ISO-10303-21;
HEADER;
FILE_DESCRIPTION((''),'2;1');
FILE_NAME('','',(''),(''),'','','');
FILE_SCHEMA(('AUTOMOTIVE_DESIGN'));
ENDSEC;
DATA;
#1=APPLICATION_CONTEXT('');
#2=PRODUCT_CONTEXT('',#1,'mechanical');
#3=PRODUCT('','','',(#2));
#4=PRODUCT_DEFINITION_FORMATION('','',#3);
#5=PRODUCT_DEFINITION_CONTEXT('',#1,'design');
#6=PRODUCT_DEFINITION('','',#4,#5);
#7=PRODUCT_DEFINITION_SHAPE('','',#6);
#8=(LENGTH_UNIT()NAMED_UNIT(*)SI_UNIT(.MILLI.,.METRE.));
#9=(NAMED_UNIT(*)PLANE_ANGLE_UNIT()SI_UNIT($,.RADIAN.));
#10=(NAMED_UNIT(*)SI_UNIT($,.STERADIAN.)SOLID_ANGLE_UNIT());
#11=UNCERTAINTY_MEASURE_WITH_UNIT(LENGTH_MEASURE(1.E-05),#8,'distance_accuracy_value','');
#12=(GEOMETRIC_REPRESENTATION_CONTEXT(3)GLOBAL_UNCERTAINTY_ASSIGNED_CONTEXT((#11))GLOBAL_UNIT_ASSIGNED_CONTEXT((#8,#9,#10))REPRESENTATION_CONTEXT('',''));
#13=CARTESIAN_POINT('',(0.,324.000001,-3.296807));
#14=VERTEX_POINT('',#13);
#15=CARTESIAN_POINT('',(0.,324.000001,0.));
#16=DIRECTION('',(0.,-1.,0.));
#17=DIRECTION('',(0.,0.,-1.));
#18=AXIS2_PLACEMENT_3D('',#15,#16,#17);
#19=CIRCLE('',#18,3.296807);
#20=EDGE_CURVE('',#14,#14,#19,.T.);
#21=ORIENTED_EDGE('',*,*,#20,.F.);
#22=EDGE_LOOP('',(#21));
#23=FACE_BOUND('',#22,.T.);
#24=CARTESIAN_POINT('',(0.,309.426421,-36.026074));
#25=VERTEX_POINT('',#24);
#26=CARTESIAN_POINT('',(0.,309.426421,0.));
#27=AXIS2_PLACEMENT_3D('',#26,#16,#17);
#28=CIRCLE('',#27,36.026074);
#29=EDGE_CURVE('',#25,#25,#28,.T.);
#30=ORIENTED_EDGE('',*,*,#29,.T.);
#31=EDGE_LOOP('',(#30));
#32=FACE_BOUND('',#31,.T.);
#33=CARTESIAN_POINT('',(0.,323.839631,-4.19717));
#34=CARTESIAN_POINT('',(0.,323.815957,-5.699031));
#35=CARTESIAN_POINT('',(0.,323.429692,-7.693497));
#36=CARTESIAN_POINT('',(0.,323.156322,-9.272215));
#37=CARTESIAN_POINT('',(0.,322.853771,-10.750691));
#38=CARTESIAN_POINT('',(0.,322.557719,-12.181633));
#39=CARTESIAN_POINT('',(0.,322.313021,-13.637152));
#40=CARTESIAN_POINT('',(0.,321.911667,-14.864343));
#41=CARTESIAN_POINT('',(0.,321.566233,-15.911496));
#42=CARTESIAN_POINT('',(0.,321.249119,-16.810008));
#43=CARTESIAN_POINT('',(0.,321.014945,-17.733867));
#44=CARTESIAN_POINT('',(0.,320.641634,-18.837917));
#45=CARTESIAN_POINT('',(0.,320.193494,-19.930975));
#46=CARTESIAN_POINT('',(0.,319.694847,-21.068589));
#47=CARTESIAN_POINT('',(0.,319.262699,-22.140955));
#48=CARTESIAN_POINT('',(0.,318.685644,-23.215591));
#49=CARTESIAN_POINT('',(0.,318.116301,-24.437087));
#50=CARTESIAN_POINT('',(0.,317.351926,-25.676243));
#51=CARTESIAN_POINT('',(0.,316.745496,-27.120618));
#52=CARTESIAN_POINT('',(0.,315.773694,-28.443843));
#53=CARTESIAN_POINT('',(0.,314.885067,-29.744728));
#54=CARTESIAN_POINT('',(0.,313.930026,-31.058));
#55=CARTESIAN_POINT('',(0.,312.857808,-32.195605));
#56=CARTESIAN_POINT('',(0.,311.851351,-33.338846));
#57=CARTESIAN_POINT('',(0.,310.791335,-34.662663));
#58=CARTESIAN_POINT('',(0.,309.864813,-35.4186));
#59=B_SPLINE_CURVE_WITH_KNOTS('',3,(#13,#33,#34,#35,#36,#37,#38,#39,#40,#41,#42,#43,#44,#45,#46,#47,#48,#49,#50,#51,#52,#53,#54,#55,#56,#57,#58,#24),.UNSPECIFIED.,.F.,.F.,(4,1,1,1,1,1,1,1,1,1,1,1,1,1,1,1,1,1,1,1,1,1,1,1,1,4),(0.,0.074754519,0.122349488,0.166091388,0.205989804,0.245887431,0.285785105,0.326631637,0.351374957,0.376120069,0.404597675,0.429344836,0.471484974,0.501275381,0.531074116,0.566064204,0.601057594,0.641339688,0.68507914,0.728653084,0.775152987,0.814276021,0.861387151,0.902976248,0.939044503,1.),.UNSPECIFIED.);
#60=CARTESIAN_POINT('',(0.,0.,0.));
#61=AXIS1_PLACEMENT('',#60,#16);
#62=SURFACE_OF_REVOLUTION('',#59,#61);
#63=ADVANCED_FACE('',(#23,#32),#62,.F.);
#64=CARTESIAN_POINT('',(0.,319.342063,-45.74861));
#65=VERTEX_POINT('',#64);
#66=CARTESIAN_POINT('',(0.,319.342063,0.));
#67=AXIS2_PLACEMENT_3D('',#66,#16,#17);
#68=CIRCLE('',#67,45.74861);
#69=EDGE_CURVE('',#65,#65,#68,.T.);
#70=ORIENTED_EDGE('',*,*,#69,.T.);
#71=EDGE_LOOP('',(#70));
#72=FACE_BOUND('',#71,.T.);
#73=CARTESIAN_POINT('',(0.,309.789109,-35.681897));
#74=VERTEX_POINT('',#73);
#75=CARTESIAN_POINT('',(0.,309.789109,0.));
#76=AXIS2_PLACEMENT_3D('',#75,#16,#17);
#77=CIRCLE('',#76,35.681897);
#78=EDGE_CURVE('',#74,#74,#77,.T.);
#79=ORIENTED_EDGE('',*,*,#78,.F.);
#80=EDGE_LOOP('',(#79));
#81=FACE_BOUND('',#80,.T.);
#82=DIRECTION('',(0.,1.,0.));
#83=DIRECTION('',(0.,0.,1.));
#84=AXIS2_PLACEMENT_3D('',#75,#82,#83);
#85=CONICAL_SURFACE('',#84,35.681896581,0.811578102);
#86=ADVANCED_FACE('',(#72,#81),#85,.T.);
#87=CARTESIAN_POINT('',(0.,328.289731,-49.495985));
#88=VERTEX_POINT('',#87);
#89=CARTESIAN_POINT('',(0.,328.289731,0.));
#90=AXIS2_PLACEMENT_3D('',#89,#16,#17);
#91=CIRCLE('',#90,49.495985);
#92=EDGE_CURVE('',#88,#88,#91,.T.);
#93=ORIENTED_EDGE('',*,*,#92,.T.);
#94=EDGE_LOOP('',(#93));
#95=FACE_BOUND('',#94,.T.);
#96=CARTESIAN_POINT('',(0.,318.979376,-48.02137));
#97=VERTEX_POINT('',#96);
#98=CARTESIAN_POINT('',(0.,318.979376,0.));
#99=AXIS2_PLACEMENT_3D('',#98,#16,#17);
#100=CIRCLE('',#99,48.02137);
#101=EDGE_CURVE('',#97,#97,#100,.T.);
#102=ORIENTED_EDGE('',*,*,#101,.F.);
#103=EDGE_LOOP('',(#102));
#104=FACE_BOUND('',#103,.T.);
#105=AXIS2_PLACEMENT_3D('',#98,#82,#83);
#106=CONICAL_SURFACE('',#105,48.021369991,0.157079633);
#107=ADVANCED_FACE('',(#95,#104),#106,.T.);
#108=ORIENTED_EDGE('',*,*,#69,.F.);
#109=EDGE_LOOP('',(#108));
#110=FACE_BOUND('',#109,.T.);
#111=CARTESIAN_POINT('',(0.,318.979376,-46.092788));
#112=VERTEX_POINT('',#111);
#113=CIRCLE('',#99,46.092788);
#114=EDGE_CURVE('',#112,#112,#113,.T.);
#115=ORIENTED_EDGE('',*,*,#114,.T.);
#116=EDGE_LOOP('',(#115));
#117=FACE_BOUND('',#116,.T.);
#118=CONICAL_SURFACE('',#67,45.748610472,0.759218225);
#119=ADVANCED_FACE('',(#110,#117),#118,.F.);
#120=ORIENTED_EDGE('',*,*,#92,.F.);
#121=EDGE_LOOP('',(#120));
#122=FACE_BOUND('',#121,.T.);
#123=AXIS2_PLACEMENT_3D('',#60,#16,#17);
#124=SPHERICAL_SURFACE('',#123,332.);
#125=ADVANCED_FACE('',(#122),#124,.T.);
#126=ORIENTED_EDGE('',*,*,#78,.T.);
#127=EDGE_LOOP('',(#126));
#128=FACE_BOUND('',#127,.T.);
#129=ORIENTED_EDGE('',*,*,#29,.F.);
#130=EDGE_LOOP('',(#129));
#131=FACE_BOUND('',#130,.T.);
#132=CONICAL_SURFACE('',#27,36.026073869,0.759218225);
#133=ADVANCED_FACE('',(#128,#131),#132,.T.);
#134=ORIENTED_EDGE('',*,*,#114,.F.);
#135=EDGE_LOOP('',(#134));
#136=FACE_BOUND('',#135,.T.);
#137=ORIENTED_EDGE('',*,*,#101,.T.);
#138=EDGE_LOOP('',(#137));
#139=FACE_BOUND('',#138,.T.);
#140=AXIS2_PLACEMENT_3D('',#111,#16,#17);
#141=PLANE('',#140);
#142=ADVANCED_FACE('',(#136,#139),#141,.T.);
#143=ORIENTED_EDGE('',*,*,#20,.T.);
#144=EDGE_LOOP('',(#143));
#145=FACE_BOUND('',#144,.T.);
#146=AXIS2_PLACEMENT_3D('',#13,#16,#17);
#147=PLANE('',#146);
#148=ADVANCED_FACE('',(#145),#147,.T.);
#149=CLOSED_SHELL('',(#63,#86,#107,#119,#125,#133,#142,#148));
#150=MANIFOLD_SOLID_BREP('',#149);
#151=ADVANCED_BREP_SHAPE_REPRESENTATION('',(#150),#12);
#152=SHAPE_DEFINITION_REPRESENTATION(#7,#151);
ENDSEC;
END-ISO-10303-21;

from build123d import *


with BuildPart() as part:
    # gel → Revolve10 (revolve)
    with BuildSketch(Plane(origin=(0, 0, 0), x_dir=(0, 0, -1), z_dir=(1, 0, 0))):
        with BuildLine():
            Line((45.748610472, 319.342063422), (35.681896581, 309.789108636))
            Line((35.681896581, 309.789108636), (36.026073869, 309.426421451))
            add(Edge.make_bspline(
                [(36.026073869, 309.426421451), (35.418599599, 309.864813343), (34.662663334, 310.791334864), (33.338846471, 311.851350637), (32.195604525, 312.857808267), (31.057999633, 313.930026132), (29.744727596, 314.885066904), (28.443843287, 315.773694322), (27.120617871, 316.745495513), (25.67624262, 317.351925715), (24.437086975, 318.116301123), (23.215591182, 318.685644379), (22.140954977, 319.262698861), (21.068588892, 319.694847458), (19.930975074, 320.193493634), (18.837916971, 320.641634287), (17.733867065, 321.01494492), (16.810008216, 321.249118962), (15.911496119, 321.566233217), (14.864343001, 321.911666773), (13.637151846, 322.313021034), (12.181632664, 322.557718535), (10.750690756, 322.85377071), (9.272215479, 323.156322342), (7.693496909, 323.429691693), (5.699030772, 323.815957427), (4.197169533, 323.839631011), (3.296807109, 324.000001326)],
                knots=[0, 0, 0, 0, 0.060955497, 0.097023752, 0.138612849, 0.185723979, 0.224847013, 0.271346916, 0.31492086, 0.358660312, 0.398942406, 0.433935796, 0.468925884, 0.498724619, 0.528515026, 0.570655164, 0.595402325, 0.623879931, 0.648625043, 0.673368363, 0.714214895, 0.754112569, 0.794010196, 0.833908612, 0.877650512, 0.925245481, 1, 1, 1, 1], degree=3))
            Line((3.296807109, 324.000001326), (0, 324))
            Line((0, 324), (0, 332))
            ThreePointArc((0, 332), (24.81742663, 331.071133347), (49.495985309, 328.289730936))
            Line((49.495985309, 328.289730936), (48.021369991, 318.979376237))
            Line((48.021369991, 318.979376237), (46.09278776, 318.979376237))
            Line((46.09278776, 318.979376237), (45.748610472, 319.342063422))
        make_face()
    revolve(axis=Axis((0, 0, 0), (0, 1, 0)))


solid = part.part
